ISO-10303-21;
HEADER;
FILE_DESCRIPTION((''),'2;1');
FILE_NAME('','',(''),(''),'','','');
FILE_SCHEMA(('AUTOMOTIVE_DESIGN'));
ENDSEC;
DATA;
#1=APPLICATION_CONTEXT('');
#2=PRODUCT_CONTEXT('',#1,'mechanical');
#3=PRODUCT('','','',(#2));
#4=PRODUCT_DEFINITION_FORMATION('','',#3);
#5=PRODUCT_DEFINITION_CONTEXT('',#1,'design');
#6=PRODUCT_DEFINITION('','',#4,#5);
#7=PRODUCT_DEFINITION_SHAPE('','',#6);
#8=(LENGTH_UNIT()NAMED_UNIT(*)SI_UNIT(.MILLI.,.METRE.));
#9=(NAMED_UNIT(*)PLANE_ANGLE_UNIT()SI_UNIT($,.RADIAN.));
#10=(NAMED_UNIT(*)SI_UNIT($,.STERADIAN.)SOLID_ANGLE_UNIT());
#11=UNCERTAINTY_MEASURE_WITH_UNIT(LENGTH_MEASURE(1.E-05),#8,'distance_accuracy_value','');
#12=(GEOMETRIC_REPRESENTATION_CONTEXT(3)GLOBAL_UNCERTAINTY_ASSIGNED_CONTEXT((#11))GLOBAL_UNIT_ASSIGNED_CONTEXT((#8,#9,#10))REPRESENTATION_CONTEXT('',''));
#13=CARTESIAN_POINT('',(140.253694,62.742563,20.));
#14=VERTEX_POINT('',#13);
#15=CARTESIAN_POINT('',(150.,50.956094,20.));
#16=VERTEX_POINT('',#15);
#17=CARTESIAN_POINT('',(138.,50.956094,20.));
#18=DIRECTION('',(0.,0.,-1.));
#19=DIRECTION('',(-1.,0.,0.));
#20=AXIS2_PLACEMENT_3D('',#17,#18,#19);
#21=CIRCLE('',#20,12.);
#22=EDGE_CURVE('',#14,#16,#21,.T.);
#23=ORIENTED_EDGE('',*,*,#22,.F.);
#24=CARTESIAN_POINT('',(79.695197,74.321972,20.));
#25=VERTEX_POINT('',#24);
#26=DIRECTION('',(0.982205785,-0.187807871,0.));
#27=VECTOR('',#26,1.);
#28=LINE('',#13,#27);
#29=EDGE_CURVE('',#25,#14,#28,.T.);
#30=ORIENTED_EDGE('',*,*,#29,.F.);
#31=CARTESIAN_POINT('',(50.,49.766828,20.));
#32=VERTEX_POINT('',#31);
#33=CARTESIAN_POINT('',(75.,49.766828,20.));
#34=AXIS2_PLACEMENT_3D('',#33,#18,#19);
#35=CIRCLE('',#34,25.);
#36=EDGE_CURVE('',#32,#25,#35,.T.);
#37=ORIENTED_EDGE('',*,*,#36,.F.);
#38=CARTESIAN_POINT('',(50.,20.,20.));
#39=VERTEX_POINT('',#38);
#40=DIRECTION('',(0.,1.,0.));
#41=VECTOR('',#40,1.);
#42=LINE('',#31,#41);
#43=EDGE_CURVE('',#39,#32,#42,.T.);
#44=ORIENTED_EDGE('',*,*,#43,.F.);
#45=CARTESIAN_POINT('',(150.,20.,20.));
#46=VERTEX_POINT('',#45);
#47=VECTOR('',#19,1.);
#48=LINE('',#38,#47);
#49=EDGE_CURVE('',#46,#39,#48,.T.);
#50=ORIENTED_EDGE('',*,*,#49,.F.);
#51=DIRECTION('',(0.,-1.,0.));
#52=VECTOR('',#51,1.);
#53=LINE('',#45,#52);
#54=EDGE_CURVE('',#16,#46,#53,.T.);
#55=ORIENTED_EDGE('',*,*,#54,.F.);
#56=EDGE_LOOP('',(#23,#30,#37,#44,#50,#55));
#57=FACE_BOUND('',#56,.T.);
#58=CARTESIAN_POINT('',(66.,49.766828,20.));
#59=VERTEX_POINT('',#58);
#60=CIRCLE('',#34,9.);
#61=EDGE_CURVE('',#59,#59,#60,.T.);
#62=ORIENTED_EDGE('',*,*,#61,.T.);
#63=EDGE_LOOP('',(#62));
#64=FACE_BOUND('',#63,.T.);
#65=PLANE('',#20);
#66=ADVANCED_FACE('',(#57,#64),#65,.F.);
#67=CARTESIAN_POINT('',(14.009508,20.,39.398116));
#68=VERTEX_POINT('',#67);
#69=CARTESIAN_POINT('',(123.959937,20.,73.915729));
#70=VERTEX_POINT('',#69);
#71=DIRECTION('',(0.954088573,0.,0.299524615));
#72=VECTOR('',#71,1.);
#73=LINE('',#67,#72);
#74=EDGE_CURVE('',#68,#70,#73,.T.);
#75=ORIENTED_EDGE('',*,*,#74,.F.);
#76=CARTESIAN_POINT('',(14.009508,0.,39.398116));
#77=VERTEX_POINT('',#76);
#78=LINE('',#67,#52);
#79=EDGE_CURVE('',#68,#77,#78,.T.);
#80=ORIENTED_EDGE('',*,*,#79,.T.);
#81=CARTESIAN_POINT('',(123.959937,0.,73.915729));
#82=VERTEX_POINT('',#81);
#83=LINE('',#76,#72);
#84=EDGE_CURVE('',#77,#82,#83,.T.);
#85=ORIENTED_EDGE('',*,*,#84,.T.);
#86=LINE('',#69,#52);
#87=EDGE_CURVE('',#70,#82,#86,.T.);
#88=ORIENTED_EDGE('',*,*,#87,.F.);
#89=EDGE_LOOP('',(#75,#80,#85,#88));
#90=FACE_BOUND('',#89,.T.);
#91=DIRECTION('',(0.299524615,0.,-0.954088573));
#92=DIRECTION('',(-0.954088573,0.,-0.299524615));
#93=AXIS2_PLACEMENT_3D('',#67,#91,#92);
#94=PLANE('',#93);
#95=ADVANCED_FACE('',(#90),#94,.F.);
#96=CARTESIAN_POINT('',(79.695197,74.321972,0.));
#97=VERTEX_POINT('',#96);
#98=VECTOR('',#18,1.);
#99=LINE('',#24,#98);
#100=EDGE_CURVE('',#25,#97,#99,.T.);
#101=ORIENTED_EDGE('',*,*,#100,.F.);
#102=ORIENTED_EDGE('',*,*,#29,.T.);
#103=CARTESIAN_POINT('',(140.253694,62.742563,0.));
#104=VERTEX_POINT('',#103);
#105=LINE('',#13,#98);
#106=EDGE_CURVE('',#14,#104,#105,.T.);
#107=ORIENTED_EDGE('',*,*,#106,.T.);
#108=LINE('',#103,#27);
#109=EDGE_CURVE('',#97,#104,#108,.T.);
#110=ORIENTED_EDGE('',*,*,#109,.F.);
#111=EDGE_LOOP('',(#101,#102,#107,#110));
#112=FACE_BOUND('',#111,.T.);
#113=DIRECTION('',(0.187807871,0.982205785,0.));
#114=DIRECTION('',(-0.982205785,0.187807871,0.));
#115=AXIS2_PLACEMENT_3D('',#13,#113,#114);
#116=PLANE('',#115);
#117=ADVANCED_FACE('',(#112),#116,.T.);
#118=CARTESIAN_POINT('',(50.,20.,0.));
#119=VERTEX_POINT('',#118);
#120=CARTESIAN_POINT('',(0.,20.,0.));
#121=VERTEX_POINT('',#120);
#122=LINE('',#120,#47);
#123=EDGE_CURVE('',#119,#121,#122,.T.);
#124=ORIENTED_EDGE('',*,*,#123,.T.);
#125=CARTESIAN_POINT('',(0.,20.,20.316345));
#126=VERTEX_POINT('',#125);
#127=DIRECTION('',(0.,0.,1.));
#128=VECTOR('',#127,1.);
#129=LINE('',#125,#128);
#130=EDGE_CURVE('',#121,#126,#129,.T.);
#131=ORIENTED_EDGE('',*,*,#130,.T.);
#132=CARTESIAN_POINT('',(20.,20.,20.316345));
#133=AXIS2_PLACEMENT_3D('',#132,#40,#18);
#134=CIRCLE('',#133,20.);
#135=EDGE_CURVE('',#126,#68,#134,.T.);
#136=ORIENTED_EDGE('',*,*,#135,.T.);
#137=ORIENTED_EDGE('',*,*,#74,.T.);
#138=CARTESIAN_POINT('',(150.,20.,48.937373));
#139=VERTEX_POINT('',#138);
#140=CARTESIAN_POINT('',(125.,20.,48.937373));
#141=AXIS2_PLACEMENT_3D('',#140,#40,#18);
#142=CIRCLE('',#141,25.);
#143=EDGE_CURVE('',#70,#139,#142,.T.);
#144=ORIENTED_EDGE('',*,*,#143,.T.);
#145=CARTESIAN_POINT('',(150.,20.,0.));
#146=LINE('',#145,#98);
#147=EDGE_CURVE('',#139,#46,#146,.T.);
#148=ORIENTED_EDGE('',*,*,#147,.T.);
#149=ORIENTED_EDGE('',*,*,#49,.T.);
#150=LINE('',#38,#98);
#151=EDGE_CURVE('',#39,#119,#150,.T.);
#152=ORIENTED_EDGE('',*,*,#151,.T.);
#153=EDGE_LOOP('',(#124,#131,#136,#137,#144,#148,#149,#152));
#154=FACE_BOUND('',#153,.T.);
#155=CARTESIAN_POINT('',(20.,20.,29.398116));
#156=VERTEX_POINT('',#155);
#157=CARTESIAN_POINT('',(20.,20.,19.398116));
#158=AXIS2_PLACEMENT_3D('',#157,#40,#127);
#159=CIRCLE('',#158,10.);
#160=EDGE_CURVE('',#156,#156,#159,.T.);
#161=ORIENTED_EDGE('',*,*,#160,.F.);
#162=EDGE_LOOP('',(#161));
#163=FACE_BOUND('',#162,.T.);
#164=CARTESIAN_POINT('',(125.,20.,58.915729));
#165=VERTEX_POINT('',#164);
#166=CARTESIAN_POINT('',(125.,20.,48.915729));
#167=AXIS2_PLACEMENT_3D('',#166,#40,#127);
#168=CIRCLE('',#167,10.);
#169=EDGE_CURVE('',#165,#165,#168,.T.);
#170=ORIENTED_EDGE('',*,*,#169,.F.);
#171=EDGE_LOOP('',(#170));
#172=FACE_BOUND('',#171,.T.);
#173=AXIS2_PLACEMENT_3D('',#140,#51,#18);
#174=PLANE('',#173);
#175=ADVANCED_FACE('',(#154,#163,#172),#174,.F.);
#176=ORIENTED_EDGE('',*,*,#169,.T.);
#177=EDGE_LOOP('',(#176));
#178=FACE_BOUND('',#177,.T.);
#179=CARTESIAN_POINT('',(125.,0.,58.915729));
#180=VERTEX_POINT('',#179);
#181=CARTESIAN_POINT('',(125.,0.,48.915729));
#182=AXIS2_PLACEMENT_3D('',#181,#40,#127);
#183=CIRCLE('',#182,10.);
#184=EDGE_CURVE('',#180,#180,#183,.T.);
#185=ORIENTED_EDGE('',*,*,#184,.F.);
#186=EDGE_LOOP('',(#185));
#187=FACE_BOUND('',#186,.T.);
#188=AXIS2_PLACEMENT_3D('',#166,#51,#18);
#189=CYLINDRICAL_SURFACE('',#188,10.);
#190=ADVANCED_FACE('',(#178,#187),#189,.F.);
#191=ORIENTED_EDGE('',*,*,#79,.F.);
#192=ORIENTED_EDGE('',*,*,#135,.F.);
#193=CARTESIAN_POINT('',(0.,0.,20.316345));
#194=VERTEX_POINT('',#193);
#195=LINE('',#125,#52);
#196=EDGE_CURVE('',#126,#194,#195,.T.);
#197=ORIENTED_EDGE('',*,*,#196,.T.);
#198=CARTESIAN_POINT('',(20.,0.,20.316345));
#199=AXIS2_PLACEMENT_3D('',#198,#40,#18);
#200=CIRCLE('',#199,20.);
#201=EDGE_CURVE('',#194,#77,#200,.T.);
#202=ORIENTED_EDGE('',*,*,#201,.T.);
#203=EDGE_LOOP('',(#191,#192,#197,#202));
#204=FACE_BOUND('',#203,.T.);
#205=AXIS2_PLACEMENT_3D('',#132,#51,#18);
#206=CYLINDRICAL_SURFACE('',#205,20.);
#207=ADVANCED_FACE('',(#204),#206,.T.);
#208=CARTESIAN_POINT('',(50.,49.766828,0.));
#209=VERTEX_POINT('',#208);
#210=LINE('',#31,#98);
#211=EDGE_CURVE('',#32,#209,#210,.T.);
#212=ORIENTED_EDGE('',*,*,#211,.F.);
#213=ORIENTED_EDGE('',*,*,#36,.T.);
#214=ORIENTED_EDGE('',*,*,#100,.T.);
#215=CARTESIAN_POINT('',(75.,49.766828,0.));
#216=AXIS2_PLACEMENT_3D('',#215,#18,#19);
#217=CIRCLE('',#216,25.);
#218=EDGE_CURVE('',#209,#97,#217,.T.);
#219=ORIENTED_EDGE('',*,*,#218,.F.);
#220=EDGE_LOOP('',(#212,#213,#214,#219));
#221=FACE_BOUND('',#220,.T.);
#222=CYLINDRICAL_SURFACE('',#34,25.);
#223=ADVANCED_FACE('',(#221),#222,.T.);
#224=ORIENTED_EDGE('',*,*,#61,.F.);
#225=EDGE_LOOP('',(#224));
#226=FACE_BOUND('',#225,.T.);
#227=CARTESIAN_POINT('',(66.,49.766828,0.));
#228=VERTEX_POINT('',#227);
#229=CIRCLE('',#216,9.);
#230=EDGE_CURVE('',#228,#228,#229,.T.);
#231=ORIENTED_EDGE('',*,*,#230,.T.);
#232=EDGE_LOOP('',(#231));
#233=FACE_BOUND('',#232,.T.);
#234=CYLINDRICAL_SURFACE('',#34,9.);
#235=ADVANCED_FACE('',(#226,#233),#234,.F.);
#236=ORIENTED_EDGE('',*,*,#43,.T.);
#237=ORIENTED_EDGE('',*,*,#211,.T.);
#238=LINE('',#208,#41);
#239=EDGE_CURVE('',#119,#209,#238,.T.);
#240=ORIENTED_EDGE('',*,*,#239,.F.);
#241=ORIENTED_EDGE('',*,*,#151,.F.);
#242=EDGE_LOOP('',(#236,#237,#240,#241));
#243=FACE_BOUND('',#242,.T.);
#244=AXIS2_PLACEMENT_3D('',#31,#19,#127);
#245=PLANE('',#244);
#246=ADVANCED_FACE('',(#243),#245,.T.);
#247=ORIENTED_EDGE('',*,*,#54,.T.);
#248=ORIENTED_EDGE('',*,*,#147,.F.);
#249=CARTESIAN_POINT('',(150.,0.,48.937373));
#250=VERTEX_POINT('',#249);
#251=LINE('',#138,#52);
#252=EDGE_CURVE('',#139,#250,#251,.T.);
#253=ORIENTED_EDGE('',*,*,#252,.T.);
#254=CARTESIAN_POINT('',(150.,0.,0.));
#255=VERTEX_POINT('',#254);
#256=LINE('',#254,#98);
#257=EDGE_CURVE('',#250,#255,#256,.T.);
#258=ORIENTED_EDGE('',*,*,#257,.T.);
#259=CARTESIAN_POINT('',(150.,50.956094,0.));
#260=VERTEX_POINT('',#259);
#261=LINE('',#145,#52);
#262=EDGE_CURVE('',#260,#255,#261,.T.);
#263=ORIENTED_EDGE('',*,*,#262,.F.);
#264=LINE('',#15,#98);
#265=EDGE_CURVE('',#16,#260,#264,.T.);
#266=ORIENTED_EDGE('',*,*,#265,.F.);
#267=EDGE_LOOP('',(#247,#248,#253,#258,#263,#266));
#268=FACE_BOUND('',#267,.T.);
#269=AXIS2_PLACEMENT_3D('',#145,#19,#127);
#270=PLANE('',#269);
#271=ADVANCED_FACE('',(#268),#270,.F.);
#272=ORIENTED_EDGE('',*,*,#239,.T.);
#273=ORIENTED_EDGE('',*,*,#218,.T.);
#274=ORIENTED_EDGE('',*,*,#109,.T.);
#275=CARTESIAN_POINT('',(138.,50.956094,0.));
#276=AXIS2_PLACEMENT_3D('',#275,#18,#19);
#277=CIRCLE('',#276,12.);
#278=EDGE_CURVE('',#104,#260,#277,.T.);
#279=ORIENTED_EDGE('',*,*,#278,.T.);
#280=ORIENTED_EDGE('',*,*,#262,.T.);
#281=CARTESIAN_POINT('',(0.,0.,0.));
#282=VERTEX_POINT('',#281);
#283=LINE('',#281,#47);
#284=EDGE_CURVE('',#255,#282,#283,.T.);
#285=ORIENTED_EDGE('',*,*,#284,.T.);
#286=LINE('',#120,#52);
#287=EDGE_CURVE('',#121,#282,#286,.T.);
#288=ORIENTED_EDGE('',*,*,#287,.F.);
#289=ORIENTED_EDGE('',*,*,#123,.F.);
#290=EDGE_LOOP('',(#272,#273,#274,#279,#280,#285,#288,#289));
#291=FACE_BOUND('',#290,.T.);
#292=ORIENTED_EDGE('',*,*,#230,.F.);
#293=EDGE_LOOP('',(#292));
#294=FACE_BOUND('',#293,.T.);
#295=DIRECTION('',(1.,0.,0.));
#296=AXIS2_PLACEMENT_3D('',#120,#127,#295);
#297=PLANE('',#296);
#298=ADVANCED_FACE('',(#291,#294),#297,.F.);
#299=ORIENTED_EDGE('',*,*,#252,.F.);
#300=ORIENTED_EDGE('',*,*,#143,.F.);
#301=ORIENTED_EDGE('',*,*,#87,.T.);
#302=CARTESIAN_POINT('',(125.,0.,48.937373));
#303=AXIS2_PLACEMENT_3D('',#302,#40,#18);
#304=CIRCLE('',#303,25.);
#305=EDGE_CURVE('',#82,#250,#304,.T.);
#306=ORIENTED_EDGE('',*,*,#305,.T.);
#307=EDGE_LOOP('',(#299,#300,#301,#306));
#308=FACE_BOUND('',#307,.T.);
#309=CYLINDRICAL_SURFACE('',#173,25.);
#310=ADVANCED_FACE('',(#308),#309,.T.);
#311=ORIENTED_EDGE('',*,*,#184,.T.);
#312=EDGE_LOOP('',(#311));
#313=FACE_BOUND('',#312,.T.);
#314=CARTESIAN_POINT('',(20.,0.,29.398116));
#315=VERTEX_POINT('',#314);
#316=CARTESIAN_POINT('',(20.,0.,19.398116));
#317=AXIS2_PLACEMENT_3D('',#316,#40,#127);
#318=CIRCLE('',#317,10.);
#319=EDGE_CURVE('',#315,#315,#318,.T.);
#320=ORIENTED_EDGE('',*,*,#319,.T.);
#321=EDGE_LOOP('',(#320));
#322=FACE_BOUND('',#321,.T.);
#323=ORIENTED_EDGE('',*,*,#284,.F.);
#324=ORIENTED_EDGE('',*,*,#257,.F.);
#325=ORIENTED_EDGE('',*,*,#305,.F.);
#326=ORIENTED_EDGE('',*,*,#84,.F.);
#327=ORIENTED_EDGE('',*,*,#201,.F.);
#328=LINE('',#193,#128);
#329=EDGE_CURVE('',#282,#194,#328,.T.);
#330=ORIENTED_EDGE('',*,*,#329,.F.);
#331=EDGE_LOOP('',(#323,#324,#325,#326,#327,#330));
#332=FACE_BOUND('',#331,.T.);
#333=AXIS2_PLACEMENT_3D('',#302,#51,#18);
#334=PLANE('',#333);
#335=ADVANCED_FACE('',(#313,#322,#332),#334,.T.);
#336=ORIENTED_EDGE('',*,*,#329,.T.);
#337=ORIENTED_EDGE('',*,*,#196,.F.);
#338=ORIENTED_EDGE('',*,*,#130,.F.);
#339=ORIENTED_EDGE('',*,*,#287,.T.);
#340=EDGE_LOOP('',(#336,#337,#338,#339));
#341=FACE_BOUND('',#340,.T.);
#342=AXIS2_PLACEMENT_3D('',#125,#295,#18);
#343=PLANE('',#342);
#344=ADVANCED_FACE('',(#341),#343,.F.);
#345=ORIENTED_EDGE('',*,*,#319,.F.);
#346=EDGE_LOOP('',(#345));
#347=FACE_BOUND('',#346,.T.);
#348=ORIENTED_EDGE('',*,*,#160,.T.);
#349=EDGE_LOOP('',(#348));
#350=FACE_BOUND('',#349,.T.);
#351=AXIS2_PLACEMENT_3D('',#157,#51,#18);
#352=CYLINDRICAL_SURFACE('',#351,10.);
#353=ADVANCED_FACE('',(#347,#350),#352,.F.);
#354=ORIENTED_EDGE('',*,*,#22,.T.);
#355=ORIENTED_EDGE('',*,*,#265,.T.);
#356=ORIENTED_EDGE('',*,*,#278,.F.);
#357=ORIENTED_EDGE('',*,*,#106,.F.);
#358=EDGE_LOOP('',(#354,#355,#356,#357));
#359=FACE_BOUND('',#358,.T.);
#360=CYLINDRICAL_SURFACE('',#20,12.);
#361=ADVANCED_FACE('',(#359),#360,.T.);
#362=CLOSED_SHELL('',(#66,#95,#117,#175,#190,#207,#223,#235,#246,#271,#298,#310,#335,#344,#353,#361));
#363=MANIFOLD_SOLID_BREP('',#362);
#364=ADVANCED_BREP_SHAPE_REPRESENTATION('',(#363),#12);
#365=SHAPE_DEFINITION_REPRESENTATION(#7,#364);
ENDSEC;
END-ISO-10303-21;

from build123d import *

# Parameters (mm, degrees)
SKETCH_1_R      = 10
EXTRUDE_1_DEPTH = 20
SKETCH_3_R      = 9
EXTRUDE_3_DEPTH = 20


with BuildPart() as part:
    # 草圖1 → 填料-伸長1 (new body)
    with BuildSketch(Plane(origin=(0, 0, 0), x_dir=(1, 0, 0), z_dir=(0, 1, 0))):
        with BuildLine():
            Line((0, 0), (150, 0))
            Line((150, 0), (150, -48.937372985))
            ThreePointArc((150, -48.937372985), (142.306045532, -66.979013377), (123.959936956, -73.915728993))
            Line((123.959936956, -73.915728993), (14.009507708, -39.398116187))
            ThreePointArc((14.009507708, -39.398116187), (3.878432988, -32.15252135), (0, -20.316344726))
            Line((0, -20.316344726), (0, 0))
        make_face()
        with Locations(Location((20, -19.398116187, 0), (0, 0, 270))):
            Circle(SKETCH_1_R, mode=Mode.SUBTRACT)
        with Locations(Location((125, -48.915728993, 0), (0, 0, 270))):
            Circle(SKETCH_1_R, mode=Mode.SUBTRACT)
    extrude(amount=EXTRUDE_1_DEPTH)

    # 草圖3 → 填料-伸長3 (add)
    with BuildSketch(Plane(origin=(0, 0, 0), x_dir=(-1, 0, 0), z_dir=(0, 0, -1))):
        with BuildLine():
            Line((-150, 20), (-150, 50.956093838))
            ThreePointArc((-150, 50.956093838), (-147.247819565, 58.603173888), (-140.253694451, 62.742563256))
            Line((-140.253694451, 62.742563256), (-79.695196774, 74.321972269))
            ThreePointArc((-79.695196774, 74.321972269), (-59.068583229, 69.033118411), (-50, 49.76682765))
            Line((-50, 49.76682765), (-50, 20))
            Line((-50, 20), (-150, 20))
        make_face()
        with Locations((-75, 49.76682765)):
            Circle(SKETCH_3_R, mode=Mode.SUBTRACT)
    extrude(amount=-EXTRUDE_3_DEPTH)


solid = part.part
